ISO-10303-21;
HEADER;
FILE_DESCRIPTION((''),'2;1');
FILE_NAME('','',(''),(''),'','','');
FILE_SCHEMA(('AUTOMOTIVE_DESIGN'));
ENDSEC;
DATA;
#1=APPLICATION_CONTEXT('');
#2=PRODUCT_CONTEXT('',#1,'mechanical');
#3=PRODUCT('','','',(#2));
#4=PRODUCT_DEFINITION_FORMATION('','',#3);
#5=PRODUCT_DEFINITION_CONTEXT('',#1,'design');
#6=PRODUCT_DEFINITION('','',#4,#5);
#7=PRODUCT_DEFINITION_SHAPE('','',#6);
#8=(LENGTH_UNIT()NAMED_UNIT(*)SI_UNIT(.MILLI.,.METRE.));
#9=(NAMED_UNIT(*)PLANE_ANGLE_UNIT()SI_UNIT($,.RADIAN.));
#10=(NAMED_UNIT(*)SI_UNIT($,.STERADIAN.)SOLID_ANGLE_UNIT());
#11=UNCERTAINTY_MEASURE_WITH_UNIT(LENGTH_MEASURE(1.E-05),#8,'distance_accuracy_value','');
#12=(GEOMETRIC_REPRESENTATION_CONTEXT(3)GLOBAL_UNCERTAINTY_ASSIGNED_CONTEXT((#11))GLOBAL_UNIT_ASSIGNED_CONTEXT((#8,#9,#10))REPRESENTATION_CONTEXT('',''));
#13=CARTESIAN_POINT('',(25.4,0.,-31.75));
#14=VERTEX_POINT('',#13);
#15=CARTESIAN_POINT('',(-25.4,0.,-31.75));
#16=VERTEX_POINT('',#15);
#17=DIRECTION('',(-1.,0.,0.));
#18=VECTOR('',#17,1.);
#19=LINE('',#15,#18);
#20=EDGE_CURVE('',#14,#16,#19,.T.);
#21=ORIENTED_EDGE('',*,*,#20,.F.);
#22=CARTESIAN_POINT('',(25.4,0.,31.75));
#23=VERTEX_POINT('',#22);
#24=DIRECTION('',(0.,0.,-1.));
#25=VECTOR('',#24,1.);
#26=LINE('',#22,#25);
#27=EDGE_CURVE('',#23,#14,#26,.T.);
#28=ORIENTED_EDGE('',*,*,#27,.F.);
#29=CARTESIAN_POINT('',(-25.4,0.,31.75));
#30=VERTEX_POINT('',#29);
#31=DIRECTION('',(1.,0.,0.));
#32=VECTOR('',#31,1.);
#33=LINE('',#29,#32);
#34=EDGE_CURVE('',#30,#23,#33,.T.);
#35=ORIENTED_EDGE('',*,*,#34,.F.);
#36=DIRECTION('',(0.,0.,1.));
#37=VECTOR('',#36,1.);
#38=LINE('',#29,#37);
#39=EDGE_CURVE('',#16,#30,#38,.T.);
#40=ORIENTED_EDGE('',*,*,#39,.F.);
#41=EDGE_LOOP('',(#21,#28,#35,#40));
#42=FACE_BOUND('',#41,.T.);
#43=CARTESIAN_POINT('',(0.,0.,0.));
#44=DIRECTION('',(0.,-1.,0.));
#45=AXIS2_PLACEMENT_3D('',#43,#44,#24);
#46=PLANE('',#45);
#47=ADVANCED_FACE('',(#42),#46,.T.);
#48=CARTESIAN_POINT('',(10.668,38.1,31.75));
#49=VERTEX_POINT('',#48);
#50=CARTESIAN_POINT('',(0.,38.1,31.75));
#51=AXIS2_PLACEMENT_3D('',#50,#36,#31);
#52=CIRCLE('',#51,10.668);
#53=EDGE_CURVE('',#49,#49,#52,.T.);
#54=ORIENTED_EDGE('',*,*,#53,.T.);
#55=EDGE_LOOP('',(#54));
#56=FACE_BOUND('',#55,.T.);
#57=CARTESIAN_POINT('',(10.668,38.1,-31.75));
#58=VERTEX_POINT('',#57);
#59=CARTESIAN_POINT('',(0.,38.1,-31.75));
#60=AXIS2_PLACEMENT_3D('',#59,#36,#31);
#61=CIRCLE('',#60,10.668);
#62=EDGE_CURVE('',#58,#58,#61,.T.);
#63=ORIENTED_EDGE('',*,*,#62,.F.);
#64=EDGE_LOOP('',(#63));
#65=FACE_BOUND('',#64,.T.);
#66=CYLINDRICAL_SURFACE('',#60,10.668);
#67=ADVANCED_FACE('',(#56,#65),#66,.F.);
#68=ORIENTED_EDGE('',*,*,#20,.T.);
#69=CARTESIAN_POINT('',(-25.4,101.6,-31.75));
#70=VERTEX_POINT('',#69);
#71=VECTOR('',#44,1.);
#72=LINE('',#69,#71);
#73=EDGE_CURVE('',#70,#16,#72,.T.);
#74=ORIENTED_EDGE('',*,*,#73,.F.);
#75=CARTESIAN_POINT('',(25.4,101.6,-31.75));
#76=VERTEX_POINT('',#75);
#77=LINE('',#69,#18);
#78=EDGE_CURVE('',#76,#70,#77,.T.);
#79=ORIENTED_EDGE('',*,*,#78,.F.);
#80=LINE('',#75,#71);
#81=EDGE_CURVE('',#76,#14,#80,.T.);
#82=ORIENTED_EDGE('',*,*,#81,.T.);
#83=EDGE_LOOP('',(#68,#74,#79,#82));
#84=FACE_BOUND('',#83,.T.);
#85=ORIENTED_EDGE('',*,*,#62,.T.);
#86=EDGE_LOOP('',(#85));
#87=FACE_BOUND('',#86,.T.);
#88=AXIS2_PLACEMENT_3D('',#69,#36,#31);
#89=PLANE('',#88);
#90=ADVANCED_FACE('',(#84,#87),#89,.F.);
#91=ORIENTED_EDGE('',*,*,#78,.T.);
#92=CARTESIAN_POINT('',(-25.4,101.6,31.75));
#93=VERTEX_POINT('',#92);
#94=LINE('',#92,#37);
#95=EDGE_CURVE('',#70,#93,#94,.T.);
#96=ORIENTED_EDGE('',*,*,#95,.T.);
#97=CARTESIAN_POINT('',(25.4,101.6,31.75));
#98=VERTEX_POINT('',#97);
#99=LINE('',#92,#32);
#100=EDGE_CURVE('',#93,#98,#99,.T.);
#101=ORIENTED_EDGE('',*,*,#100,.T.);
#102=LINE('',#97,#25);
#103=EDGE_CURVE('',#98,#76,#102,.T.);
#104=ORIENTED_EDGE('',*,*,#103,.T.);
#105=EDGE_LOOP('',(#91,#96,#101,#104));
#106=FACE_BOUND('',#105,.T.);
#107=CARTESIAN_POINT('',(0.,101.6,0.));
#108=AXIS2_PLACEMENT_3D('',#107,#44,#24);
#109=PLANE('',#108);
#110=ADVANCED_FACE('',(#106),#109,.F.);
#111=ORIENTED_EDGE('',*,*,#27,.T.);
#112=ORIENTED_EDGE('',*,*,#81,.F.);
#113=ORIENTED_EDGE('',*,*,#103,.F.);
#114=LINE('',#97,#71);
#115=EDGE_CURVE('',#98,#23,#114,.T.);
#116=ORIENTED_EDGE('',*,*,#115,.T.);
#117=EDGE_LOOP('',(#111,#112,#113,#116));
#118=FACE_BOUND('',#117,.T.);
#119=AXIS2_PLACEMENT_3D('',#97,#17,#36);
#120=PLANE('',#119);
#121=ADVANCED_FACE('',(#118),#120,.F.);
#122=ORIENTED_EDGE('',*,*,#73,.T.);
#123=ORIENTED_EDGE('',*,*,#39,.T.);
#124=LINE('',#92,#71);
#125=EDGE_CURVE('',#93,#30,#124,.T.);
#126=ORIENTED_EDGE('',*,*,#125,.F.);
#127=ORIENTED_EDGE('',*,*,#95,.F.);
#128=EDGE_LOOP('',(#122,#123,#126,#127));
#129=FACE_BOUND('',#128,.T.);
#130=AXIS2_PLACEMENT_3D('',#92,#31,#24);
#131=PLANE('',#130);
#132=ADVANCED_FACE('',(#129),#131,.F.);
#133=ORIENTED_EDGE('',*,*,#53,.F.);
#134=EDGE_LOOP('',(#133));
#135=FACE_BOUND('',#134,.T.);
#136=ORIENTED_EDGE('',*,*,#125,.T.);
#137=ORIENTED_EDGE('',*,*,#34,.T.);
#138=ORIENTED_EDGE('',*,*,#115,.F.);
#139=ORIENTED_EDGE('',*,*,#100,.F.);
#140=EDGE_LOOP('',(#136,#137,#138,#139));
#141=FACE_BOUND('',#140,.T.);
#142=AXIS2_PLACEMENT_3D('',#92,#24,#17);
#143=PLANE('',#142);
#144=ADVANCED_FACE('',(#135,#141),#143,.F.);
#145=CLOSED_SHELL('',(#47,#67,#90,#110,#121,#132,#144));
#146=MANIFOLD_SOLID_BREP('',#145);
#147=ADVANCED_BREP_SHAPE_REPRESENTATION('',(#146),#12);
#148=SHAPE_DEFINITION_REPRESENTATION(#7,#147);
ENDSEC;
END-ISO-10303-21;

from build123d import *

# Parameters (mm, degrees)
SKETCH1_W               = 50.8
SKETCH1_H               = 63.5
BOSS_EXTRUDE2_DEPTH     = 101.6
CUT_EXTRUDE2_DEPTH      = 110.433918417
CUT_EXTRUDE2_DEPTH_BACK = 110.433918417
SKETCH4_R               = 10.668


with BuildPart() as part:
    # Sketch1 → Boss-Extrude2 (new body)
    with BuildSketch(Plane(origin=(0, 0, 0), x_dir=(1, 0, 0), z_dir=(0, 1, 0))):
        Rectangle(SKETCH1_W, SKETCH1_H)
    extrude(amount=BOSS_EXTRUDE2_DEPTH)

    # Sketch4 → Cut-Extrude2 (cut, two sides: drawn at the far end of the back side and taken through both)
    with BuildSketch(Plane.XY.offset(-CUT_EXTRUDE2_DEPTH_BACK)):
        with Locations((0, 38.1)):
            Circle(SKETCH4_R)
    extrude(amount=CUT_EXTRUDE2_DEPTH + CUT_EXTRUDE2_DEPTH_BACK, mode=Mode.SUBTRACT)


solid = part.part
